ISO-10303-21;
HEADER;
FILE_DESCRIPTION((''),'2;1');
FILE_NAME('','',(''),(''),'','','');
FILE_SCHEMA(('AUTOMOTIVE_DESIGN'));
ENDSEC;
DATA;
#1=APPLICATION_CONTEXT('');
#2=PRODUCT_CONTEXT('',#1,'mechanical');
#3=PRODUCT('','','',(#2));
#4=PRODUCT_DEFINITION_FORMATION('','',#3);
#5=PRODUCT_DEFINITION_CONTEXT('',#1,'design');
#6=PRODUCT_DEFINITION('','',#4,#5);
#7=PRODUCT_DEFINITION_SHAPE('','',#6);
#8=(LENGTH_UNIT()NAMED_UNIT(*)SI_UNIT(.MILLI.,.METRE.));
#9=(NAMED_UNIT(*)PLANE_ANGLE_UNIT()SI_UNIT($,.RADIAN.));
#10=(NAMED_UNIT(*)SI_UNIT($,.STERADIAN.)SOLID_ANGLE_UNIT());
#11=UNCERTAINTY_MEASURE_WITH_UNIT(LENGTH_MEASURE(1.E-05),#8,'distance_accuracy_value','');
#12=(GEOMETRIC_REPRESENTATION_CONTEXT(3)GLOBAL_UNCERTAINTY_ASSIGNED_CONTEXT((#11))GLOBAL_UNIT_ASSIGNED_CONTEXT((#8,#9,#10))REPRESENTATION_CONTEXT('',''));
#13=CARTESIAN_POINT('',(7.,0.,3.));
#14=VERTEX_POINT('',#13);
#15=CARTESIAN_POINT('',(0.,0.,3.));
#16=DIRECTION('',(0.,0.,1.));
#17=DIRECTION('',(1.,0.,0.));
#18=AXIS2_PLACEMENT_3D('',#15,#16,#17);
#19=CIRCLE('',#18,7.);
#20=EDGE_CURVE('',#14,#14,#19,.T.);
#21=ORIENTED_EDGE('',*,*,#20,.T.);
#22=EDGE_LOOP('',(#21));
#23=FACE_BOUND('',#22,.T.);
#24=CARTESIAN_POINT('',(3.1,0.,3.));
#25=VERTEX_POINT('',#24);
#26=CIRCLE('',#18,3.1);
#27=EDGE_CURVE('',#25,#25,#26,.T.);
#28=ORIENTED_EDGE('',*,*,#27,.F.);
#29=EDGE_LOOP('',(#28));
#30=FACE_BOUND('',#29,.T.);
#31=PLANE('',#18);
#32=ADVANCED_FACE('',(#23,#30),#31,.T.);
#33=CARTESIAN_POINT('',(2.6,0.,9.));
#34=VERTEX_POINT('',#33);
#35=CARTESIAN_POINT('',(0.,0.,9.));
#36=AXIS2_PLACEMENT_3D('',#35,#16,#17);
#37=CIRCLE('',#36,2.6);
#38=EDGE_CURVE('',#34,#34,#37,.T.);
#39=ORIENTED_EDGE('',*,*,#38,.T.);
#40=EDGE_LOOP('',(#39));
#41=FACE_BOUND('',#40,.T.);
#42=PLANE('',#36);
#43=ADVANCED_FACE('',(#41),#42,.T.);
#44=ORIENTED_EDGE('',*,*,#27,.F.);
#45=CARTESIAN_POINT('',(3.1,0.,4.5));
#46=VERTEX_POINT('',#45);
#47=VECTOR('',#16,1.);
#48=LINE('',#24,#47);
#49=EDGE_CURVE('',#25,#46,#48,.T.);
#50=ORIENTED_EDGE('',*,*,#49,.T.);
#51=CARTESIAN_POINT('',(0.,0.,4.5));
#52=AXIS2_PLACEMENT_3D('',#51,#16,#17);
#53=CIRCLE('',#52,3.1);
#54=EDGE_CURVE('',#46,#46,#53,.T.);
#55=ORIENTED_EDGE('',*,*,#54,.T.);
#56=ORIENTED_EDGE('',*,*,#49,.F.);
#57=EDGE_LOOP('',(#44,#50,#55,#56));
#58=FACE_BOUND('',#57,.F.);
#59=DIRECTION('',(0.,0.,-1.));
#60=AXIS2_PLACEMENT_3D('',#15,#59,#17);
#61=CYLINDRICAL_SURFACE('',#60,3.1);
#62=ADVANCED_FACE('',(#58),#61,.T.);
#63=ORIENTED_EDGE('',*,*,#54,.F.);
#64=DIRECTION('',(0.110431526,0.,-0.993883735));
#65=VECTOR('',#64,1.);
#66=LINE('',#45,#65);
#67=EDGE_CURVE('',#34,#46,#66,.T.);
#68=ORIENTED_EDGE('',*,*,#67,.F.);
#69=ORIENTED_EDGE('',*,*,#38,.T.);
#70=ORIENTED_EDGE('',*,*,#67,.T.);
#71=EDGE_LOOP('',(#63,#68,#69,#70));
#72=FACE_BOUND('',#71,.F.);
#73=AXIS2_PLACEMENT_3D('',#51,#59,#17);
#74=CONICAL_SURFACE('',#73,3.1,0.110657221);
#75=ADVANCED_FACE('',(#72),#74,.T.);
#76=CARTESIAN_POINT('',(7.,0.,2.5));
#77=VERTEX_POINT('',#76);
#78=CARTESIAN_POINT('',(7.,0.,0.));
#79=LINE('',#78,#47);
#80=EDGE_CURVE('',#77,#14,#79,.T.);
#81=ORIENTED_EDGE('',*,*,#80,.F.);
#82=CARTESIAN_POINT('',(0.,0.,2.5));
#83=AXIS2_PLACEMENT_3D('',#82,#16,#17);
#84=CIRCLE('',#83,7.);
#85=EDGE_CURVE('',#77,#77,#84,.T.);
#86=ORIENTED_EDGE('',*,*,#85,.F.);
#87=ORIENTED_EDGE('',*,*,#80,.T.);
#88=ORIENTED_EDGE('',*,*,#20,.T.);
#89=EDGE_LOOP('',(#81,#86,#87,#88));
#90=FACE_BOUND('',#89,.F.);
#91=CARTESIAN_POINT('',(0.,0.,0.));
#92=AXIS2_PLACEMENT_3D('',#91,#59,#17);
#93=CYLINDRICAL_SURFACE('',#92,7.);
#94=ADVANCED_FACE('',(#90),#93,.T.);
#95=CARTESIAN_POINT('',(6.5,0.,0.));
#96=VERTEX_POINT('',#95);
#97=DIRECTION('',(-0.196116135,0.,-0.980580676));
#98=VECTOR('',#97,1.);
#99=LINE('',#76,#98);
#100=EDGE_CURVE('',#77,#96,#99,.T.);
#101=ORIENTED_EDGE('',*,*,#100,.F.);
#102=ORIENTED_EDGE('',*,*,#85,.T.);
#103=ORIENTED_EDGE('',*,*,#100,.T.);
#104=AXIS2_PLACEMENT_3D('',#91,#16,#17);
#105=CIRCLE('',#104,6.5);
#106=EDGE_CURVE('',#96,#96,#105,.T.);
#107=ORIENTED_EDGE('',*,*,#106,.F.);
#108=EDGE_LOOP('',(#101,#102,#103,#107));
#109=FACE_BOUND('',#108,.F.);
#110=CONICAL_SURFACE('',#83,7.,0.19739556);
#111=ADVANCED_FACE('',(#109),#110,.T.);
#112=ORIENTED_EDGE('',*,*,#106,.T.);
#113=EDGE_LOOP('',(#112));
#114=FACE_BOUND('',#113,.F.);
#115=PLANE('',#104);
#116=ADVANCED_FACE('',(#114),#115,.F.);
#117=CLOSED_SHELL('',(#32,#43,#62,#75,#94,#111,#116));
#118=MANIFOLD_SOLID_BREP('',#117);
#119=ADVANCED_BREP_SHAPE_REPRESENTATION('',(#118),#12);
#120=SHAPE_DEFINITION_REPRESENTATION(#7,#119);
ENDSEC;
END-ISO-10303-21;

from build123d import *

# Parameters (mm, degrees)
F0_R     = 7
F1_DEPTH = 3
F2_R     = 3.1
F3_DEPTH = 6
F4_SIZE2 = 4.5
F4_SIZE  = 0.5
F5_SIZE2 = 0.5
F5_SIZE  = 2.5


with BuildPart() as f1:
    # F0 (on Top) → F1 (new body)
    with BuildSketch(Plane.XY):
        Circle(F0_R)
    extrude(amount=F1_DEPTH)

    # F2 (on face) → F3 (join)
    with BuildSketch(Plane.XY.offset(3)):
        Circle(F2_R)
    extrude(amount=F3_DEPTH)

    # F4
    f4_edges = [f1.edges().sort_by_distance(p)[0] for p in [
        (-3.1, 0, 9),
    ]]
    f4_side = f1.faces().sort_by_distance((0, 0, 9))[0]
    chamfer(f4_edges, length=F4_SIZE, length2=F4_SIZE2, reference=f4_side)

    # F5
    f5_edges = [f1.edges().sort_by_distance(p)[0] for p in [
        (-7, 0, 0),
    ]]
    f5_side = f1.faces().sort_by_distance((-7, 0, 1.5))[0]
    chamfer(f5_edges, length=F5_SIZE, length2=F5_SIZE2, reference=f5_side)


solid = f1.part
